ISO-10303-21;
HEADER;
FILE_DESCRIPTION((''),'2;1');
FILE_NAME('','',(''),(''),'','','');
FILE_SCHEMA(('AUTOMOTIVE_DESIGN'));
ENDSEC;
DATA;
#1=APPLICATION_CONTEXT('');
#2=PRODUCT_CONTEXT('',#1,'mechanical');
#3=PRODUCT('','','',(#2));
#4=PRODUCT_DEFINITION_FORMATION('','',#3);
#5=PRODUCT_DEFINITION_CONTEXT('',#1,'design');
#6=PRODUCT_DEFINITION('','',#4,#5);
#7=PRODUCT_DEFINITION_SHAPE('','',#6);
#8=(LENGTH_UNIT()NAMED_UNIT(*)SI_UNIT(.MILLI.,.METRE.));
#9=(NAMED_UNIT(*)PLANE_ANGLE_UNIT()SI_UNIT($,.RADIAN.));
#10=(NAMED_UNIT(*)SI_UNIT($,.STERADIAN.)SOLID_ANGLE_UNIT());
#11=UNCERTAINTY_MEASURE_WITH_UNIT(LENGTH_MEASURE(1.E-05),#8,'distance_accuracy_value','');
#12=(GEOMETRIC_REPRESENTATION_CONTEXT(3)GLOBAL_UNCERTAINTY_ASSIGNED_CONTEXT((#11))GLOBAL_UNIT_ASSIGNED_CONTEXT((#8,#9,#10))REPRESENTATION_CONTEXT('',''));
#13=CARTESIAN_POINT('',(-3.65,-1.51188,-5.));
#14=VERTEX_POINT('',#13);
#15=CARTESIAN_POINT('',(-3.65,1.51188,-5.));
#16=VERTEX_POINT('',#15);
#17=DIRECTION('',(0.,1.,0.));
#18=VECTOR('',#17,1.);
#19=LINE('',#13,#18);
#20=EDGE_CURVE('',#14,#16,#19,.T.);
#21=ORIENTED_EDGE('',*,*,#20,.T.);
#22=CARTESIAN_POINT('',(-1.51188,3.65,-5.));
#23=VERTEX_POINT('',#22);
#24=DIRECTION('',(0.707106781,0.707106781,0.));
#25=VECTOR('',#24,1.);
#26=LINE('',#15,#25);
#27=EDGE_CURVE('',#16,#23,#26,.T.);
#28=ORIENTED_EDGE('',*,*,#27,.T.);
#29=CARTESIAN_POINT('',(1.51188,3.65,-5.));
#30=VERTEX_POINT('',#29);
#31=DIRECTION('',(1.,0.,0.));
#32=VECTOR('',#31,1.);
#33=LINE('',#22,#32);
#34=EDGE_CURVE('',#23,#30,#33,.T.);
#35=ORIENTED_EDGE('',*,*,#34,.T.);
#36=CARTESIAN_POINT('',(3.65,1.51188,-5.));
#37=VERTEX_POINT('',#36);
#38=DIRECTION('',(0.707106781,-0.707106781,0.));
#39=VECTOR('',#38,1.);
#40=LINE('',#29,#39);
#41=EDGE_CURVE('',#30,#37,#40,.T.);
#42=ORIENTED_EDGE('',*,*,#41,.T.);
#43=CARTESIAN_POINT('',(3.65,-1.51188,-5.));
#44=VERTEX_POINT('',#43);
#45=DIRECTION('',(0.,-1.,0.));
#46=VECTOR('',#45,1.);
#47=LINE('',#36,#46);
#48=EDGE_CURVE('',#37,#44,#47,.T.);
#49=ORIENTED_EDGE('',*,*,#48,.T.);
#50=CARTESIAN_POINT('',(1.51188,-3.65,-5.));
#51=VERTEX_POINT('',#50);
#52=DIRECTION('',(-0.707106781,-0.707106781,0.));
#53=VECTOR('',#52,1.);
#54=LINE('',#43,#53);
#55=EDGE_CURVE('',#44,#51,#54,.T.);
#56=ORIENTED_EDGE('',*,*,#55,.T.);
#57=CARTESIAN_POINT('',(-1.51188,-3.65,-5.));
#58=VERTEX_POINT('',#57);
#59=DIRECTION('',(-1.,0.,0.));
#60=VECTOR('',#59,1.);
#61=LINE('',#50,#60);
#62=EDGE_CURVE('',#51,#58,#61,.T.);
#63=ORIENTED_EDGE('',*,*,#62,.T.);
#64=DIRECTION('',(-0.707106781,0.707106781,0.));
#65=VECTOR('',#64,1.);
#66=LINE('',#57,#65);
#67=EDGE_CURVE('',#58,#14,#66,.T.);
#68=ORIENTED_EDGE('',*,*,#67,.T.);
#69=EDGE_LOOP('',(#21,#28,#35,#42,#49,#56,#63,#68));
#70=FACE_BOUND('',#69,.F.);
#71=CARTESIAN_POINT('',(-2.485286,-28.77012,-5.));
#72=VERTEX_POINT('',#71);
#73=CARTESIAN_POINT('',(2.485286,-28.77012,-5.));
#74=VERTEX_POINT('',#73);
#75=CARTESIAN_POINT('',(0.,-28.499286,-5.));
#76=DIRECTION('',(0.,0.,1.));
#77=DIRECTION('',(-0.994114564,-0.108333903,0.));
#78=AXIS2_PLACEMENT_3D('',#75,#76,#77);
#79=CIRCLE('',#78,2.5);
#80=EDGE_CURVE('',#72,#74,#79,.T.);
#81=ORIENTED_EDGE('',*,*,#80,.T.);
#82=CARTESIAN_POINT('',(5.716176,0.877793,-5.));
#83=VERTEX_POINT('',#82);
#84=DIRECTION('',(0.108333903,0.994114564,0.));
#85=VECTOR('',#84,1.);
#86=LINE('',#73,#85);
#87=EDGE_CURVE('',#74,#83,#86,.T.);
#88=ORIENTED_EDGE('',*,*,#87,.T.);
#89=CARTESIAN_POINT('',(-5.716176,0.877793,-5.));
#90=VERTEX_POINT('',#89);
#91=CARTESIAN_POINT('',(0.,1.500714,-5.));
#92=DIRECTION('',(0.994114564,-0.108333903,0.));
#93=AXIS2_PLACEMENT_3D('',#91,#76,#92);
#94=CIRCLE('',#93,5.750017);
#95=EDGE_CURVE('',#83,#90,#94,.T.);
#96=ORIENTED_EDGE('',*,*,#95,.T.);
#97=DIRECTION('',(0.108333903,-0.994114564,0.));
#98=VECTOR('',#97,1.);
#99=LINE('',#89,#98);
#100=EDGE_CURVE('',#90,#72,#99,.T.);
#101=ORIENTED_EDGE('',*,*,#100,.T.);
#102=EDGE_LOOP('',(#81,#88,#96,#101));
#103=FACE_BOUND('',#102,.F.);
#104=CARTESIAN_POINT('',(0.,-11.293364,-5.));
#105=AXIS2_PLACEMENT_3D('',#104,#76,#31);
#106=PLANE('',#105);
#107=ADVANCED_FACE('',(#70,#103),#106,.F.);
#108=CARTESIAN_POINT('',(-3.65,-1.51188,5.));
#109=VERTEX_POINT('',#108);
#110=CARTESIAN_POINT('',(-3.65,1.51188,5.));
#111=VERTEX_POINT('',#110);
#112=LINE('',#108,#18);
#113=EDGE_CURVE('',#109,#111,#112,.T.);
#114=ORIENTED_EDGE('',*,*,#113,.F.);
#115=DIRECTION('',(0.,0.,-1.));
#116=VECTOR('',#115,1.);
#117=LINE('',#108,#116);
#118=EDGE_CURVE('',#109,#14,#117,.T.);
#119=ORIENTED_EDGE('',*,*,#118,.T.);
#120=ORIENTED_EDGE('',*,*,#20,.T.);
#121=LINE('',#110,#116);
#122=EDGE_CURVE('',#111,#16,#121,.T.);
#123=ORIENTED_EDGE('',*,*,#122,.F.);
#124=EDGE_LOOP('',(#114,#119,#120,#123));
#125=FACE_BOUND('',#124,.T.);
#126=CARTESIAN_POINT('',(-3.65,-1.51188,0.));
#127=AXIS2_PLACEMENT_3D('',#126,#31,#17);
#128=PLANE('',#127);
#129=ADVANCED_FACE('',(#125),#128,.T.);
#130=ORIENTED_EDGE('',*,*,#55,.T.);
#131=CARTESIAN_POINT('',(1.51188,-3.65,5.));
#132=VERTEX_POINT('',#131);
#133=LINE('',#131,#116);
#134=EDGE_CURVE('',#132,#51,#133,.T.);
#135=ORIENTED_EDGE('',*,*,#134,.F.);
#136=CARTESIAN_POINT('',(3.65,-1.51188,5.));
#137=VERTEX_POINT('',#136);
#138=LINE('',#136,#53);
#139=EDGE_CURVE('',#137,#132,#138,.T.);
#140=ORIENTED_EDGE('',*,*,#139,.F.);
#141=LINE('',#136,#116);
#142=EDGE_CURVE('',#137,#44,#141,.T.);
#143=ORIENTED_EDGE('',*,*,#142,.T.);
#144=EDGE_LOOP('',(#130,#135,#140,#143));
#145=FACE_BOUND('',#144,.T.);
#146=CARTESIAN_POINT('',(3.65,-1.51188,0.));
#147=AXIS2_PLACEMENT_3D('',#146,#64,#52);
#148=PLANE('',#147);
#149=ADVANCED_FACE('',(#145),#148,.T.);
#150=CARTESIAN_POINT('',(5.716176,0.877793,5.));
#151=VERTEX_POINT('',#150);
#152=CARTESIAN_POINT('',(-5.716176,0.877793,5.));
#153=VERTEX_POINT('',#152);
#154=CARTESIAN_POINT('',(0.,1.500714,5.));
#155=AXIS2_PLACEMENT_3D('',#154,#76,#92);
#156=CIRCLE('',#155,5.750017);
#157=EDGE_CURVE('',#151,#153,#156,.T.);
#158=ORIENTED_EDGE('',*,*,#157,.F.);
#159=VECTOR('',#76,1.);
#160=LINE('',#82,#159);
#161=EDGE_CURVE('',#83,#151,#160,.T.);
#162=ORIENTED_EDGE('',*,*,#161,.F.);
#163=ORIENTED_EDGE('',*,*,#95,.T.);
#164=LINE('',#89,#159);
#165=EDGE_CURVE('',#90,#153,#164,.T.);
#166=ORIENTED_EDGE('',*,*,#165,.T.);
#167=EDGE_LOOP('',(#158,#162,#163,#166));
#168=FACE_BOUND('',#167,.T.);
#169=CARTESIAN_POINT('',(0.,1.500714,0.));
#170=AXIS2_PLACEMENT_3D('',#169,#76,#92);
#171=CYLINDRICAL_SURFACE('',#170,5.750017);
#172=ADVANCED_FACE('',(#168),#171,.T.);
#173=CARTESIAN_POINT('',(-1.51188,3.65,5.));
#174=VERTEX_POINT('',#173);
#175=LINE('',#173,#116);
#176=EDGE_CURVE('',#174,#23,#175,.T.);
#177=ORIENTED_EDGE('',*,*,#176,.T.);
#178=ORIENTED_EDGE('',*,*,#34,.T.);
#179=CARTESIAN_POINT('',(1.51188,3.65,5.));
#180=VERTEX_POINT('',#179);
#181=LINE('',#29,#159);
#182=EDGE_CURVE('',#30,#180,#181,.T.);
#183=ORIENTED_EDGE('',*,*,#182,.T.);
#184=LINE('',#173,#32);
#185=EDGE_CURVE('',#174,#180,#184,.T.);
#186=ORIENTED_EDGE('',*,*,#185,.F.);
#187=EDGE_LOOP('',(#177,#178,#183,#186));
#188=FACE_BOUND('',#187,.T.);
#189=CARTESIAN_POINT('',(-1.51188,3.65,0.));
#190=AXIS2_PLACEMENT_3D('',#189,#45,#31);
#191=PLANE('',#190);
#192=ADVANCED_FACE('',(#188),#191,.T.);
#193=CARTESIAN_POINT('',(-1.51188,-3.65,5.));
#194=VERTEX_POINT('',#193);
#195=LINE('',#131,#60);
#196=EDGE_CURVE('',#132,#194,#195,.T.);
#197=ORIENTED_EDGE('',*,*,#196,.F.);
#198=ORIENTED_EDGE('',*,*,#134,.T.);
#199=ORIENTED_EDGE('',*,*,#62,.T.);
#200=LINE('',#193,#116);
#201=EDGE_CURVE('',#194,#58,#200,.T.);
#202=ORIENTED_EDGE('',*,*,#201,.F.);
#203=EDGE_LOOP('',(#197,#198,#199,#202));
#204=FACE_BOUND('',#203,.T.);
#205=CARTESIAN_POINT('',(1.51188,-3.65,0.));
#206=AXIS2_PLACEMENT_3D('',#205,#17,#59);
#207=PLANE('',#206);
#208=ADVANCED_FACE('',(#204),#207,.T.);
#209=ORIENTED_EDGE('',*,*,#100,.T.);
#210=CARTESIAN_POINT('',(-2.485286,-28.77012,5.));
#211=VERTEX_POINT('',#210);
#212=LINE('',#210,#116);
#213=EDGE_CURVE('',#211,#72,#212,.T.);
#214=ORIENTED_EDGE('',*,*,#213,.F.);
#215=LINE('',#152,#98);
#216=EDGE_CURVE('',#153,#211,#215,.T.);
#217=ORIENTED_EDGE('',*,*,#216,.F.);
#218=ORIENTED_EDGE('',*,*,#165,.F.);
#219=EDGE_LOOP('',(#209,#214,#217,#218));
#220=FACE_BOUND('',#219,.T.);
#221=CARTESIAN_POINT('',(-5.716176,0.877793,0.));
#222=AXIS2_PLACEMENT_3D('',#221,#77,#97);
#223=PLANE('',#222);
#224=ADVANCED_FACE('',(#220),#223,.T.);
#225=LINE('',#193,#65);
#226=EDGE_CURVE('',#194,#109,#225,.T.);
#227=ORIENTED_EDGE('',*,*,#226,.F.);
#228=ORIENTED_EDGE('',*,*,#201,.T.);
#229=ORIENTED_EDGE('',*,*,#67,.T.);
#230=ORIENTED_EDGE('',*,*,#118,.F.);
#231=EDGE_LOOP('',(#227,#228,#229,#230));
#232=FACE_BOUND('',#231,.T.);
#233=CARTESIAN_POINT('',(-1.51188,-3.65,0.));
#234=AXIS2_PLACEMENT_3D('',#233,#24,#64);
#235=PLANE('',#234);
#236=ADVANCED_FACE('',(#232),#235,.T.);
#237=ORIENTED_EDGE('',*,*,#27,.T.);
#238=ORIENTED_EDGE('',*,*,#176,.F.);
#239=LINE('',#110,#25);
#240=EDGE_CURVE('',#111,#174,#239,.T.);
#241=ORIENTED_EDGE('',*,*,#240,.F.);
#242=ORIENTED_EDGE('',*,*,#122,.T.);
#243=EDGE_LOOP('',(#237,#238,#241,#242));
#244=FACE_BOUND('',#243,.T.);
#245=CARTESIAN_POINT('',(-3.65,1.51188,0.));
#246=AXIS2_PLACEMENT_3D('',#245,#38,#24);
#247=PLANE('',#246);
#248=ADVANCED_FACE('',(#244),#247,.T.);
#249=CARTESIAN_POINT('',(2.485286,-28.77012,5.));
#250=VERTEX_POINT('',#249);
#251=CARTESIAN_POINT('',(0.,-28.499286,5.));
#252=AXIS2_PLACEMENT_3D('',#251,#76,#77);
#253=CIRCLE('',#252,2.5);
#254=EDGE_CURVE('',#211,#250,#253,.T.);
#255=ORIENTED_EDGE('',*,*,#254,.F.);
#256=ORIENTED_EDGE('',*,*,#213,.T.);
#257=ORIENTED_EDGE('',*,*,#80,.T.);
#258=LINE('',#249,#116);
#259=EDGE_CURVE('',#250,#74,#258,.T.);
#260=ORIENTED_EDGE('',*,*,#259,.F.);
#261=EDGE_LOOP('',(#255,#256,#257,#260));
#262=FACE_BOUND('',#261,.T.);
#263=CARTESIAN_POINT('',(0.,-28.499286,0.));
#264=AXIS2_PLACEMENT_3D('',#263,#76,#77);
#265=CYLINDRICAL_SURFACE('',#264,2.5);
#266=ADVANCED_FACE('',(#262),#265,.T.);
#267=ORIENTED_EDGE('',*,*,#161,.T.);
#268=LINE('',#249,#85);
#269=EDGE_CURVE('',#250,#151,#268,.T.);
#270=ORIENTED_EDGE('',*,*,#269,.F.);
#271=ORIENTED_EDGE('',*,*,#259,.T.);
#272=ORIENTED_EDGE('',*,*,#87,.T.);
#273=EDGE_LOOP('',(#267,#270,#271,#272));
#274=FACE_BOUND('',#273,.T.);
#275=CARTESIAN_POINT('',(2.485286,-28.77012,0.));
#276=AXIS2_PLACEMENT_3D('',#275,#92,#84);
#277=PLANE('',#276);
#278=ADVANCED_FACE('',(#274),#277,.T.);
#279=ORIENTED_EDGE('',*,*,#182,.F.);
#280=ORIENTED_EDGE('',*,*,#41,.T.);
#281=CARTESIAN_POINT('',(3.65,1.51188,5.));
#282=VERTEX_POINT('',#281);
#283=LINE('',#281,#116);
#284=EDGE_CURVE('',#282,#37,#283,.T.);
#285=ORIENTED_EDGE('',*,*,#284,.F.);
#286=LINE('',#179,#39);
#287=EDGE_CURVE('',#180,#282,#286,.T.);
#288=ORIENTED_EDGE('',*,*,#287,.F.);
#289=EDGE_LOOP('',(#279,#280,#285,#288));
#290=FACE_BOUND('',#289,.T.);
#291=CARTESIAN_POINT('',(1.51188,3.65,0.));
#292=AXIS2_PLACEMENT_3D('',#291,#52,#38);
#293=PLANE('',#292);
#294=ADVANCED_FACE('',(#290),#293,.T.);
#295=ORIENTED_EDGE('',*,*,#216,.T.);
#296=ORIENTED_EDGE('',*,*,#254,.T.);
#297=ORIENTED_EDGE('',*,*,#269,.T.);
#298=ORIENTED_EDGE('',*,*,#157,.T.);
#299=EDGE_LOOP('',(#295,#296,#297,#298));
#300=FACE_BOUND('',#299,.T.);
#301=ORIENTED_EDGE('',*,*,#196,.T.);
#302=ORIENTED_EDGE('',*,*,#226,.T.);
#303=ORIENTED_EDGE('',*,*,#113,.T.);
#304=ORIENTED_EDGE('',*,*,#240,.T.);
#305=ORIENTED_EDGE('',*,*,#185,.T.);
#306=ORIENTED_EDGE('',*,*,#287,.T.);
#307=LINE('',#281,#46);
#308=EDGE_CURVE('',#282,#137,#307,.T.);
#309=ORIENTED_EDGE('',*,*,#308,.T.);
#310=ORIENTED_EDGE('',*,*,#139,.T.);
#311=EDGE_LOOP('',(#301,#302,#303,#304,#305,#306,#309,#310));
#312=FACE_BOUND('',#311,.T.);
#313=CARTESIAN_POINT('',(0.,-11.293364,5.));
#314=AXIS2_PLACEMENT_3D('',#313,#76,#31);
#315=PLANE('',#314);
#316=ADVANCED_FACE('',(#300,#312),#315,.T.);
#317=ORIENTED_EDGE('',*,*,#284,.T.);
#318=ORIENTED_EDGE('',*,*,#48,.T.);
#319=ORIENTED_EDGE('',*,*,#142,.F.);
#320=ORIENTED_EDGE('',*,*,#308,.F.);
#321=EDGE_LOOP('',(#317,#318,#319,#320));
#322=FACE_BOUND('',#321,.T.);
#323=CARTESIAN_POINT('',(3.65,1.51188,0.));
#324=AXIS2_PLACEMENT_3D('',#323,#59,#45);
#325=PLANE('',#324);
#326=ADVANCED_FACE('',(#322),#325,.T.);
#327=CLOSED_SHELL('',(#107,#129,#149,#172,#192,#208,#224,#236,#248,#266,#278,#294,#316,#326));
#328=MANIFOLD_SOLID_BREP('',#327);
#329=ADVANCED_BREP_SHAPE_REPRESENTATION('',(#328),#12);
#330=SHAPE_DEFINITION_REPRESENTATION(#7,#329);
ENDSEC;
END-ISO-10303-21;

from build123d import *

# Parameters (mm, degrees)
F1_DEPTH = 5


with BuildPart() as f1:
    # F0 (on Top) → F1 (new body, symmetric)
    with BuildSketch(Plane.XY):
        with BuildLine():
            Line((2.485286409, -28.7701203017), (5.7161757166, 0.877792665))
            ThreePointArc((5.7161757166, 0.877792665), (0, 7.2507315311), (-5.7161757166, 0.877792665))
            Line((-5.7161757166, 0.877792665), (-2.485286409, -28.7701203017))
            ThreePointArc((-2.485286409, -28.7701203017), (0, -30.9992855454), (2.485286409, -28.7701203017))
        make_face()
        Polygon((1.5118795027, 3.65), (3.65, 1.5118795027), (3.65, -1.5118795027), (1.5118795027, -3.65), (-1.5118795027, -3.65), (-3.65, -1.5118795027), (-3.65, 1.5118795027), (-1.5118795027, 3.65), align=None, mode=Mode.SUBTRACT)
    extrude(amount=F1_DEPTH, both=True)


solid = f1.part
